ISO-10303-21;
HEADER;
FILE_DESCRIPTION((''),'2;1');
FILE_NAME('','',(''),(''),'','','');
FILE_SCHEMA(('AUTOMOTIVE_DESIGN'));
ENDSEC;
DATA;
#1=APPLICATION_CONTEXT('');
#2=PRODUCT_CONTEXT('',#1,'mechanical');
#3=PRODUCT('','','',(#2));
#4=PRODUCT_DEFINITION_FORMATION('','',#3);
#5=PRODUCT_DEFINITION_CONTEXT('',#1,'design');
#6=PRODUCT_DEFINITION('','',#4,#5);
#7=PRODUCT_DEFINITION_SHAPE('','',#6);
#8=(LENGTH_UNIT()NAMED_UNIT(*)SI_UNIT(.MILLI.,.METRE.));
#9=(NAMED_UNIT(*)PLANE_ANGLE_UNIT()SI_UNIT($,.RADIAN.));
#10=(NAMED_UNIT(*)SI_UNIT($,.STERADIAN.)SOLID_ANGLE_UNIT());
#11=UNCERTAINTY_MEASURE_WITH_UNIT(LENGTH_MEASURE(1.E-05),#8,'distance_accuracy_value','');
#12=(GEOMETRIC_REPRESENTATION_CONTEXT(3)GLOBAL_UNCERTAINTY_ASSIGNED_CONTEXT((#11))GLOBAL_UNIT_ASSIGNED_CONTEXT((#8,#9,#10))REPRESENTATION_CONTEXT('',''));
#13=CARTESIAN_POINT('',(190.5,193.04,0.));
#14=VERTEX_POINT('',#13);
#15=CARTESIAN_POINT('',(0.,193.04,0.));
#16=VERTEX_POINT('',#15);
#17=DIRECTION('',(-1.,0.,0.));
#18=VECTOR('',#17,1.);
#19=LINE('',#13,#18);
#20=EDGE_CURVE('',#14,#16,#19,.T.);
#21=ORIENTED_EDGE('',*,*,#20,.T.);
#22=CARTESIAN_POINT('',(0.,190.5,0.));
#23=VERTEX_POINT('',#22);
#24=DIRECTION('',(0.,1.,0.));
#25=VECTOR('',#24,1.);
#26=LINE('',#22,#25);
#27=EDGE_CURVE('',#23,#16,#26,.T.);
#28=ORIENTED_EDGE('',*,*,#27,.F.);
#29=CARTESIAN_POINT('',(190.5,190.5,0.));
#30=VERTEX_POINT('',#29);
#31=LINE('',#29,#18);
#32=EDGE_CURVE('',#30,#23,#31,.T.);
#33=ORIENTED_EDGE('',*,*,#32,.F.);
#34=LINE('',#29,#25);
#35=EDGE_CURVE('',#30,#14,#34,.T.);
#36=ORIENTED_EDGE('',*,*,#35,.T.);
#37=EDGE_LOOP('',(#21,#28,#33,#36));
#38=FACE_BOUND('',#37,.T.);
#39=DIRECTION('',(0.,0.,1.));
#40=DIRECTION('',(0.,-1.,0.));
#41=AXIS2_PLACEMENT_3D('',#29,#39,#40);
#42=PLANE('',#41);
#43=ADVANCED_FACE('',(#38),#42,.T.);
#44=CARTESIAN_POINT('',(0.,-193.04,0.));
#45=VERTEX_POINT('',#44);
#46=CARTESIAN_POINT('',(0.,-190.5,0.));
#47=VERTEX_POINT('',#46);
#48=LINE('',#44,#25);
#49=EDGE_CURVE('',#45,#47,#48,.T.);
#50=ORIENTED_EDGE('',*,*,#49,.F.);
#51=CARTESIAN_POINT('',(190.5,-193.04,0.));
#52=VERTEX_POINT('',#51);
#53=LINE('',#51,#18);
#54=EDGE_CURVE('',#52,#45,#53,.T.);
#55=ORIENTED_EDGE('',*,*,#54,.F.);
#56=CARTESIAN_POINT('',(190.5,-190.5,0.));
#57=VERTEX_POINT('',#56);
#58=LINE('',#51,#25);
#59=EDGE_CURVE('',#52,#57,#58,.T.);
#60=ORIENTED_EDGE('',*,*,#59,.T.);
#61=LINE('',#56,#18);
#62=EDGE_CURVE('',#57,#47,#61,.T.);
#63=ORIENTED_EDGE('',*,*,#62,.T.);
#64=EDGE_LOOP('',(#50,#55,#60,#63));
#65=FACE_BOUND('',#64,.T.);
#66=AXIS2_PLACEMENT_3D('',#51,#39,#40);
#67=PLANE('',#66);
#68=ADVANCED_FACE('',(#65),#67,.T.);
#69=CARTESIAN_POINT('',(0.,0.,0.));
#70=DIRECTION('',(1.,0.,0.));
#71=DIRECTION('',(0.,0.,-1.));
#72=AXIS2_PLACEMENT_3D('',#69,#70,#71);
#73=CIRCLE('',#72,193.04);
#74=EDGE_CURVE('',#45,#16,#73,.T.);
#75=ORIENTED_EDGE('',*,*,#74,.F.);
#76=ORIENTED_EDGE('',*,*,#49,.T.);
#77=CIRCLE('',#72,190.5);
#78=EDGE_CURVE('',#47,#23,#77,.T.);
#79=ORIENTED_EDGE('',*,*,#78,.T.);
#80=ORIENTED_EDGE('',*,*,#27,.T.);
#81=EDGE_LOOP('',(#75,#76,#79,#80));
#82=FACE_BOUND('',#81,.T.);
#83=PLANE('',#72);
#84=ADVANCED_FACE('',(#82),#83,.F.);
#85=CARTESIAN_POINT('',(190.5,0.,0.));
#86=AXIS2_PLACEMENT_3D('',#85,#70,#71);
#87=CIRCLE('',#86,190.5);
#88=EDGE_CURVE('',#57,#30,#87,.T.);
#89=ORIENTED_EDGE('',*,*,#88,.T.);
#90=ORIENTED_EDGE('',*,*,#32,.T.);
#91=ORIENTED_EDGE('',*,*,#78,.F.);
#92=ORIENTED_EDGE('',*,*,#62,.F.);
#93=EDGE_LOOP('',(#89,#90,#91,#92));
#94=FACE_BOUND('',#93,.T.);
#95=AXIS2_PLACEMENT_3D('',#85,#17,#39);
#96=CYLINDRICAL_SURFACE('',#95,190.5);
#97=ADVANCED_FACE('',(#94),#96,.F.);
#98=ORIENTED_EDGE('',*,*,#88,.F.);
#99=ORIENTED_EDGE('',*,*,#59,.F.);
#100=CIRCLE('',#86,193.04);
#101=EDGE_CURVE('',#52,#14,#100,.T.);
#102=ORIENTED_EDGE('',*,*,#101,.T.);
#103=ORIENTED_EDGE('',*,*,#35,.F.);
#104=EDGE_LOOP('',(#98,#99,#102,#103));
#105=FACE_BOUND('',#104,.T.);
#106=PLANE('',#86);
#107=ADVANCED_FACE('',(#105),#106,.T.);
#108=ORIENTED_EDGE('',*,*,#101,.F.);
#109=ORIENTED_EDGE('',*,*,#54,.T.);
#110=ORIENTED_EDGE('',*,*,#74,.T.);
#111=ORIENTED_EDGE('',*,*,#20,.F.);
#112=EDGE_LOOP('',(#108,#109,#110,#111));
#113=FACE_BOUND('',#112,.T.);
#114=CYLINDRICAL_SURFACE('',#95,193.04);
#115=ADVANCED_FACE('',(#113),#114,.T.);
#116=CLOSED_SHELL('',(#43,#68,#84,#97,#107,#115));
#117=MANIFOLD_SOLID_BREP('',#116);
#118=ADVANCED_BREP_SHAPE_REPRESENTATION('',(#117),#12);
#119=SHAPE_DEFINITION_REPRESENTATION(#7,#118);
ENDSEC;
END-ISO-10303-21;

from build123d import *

# Parameters (mm, degrees)
EXTRUDE_THIN1_DEPTH = 190.5


with BuildPart() as part:
    # Sketch1 → Extrude-Thin1 (new body)
    with BuildSketch(Plane(origin=(0, 0, 0), x_dir=(0, 0, -1), z_dir=(1, 0, 0))):
        with BuildLine():
            ThreePointArc((0, -190.5), (190.5, 0), (0, 190.5))
            Line((0, 190.5), (0, 193.04))
            ThreePointArc((0, 193.04), (193.04, 0), (0, -193.04))
            Line((0, -193.04), (0, -190.5))
        make_face()
    extrude(amount=EXTRUDE_THIN1_DEPTH)


solid = part.part
